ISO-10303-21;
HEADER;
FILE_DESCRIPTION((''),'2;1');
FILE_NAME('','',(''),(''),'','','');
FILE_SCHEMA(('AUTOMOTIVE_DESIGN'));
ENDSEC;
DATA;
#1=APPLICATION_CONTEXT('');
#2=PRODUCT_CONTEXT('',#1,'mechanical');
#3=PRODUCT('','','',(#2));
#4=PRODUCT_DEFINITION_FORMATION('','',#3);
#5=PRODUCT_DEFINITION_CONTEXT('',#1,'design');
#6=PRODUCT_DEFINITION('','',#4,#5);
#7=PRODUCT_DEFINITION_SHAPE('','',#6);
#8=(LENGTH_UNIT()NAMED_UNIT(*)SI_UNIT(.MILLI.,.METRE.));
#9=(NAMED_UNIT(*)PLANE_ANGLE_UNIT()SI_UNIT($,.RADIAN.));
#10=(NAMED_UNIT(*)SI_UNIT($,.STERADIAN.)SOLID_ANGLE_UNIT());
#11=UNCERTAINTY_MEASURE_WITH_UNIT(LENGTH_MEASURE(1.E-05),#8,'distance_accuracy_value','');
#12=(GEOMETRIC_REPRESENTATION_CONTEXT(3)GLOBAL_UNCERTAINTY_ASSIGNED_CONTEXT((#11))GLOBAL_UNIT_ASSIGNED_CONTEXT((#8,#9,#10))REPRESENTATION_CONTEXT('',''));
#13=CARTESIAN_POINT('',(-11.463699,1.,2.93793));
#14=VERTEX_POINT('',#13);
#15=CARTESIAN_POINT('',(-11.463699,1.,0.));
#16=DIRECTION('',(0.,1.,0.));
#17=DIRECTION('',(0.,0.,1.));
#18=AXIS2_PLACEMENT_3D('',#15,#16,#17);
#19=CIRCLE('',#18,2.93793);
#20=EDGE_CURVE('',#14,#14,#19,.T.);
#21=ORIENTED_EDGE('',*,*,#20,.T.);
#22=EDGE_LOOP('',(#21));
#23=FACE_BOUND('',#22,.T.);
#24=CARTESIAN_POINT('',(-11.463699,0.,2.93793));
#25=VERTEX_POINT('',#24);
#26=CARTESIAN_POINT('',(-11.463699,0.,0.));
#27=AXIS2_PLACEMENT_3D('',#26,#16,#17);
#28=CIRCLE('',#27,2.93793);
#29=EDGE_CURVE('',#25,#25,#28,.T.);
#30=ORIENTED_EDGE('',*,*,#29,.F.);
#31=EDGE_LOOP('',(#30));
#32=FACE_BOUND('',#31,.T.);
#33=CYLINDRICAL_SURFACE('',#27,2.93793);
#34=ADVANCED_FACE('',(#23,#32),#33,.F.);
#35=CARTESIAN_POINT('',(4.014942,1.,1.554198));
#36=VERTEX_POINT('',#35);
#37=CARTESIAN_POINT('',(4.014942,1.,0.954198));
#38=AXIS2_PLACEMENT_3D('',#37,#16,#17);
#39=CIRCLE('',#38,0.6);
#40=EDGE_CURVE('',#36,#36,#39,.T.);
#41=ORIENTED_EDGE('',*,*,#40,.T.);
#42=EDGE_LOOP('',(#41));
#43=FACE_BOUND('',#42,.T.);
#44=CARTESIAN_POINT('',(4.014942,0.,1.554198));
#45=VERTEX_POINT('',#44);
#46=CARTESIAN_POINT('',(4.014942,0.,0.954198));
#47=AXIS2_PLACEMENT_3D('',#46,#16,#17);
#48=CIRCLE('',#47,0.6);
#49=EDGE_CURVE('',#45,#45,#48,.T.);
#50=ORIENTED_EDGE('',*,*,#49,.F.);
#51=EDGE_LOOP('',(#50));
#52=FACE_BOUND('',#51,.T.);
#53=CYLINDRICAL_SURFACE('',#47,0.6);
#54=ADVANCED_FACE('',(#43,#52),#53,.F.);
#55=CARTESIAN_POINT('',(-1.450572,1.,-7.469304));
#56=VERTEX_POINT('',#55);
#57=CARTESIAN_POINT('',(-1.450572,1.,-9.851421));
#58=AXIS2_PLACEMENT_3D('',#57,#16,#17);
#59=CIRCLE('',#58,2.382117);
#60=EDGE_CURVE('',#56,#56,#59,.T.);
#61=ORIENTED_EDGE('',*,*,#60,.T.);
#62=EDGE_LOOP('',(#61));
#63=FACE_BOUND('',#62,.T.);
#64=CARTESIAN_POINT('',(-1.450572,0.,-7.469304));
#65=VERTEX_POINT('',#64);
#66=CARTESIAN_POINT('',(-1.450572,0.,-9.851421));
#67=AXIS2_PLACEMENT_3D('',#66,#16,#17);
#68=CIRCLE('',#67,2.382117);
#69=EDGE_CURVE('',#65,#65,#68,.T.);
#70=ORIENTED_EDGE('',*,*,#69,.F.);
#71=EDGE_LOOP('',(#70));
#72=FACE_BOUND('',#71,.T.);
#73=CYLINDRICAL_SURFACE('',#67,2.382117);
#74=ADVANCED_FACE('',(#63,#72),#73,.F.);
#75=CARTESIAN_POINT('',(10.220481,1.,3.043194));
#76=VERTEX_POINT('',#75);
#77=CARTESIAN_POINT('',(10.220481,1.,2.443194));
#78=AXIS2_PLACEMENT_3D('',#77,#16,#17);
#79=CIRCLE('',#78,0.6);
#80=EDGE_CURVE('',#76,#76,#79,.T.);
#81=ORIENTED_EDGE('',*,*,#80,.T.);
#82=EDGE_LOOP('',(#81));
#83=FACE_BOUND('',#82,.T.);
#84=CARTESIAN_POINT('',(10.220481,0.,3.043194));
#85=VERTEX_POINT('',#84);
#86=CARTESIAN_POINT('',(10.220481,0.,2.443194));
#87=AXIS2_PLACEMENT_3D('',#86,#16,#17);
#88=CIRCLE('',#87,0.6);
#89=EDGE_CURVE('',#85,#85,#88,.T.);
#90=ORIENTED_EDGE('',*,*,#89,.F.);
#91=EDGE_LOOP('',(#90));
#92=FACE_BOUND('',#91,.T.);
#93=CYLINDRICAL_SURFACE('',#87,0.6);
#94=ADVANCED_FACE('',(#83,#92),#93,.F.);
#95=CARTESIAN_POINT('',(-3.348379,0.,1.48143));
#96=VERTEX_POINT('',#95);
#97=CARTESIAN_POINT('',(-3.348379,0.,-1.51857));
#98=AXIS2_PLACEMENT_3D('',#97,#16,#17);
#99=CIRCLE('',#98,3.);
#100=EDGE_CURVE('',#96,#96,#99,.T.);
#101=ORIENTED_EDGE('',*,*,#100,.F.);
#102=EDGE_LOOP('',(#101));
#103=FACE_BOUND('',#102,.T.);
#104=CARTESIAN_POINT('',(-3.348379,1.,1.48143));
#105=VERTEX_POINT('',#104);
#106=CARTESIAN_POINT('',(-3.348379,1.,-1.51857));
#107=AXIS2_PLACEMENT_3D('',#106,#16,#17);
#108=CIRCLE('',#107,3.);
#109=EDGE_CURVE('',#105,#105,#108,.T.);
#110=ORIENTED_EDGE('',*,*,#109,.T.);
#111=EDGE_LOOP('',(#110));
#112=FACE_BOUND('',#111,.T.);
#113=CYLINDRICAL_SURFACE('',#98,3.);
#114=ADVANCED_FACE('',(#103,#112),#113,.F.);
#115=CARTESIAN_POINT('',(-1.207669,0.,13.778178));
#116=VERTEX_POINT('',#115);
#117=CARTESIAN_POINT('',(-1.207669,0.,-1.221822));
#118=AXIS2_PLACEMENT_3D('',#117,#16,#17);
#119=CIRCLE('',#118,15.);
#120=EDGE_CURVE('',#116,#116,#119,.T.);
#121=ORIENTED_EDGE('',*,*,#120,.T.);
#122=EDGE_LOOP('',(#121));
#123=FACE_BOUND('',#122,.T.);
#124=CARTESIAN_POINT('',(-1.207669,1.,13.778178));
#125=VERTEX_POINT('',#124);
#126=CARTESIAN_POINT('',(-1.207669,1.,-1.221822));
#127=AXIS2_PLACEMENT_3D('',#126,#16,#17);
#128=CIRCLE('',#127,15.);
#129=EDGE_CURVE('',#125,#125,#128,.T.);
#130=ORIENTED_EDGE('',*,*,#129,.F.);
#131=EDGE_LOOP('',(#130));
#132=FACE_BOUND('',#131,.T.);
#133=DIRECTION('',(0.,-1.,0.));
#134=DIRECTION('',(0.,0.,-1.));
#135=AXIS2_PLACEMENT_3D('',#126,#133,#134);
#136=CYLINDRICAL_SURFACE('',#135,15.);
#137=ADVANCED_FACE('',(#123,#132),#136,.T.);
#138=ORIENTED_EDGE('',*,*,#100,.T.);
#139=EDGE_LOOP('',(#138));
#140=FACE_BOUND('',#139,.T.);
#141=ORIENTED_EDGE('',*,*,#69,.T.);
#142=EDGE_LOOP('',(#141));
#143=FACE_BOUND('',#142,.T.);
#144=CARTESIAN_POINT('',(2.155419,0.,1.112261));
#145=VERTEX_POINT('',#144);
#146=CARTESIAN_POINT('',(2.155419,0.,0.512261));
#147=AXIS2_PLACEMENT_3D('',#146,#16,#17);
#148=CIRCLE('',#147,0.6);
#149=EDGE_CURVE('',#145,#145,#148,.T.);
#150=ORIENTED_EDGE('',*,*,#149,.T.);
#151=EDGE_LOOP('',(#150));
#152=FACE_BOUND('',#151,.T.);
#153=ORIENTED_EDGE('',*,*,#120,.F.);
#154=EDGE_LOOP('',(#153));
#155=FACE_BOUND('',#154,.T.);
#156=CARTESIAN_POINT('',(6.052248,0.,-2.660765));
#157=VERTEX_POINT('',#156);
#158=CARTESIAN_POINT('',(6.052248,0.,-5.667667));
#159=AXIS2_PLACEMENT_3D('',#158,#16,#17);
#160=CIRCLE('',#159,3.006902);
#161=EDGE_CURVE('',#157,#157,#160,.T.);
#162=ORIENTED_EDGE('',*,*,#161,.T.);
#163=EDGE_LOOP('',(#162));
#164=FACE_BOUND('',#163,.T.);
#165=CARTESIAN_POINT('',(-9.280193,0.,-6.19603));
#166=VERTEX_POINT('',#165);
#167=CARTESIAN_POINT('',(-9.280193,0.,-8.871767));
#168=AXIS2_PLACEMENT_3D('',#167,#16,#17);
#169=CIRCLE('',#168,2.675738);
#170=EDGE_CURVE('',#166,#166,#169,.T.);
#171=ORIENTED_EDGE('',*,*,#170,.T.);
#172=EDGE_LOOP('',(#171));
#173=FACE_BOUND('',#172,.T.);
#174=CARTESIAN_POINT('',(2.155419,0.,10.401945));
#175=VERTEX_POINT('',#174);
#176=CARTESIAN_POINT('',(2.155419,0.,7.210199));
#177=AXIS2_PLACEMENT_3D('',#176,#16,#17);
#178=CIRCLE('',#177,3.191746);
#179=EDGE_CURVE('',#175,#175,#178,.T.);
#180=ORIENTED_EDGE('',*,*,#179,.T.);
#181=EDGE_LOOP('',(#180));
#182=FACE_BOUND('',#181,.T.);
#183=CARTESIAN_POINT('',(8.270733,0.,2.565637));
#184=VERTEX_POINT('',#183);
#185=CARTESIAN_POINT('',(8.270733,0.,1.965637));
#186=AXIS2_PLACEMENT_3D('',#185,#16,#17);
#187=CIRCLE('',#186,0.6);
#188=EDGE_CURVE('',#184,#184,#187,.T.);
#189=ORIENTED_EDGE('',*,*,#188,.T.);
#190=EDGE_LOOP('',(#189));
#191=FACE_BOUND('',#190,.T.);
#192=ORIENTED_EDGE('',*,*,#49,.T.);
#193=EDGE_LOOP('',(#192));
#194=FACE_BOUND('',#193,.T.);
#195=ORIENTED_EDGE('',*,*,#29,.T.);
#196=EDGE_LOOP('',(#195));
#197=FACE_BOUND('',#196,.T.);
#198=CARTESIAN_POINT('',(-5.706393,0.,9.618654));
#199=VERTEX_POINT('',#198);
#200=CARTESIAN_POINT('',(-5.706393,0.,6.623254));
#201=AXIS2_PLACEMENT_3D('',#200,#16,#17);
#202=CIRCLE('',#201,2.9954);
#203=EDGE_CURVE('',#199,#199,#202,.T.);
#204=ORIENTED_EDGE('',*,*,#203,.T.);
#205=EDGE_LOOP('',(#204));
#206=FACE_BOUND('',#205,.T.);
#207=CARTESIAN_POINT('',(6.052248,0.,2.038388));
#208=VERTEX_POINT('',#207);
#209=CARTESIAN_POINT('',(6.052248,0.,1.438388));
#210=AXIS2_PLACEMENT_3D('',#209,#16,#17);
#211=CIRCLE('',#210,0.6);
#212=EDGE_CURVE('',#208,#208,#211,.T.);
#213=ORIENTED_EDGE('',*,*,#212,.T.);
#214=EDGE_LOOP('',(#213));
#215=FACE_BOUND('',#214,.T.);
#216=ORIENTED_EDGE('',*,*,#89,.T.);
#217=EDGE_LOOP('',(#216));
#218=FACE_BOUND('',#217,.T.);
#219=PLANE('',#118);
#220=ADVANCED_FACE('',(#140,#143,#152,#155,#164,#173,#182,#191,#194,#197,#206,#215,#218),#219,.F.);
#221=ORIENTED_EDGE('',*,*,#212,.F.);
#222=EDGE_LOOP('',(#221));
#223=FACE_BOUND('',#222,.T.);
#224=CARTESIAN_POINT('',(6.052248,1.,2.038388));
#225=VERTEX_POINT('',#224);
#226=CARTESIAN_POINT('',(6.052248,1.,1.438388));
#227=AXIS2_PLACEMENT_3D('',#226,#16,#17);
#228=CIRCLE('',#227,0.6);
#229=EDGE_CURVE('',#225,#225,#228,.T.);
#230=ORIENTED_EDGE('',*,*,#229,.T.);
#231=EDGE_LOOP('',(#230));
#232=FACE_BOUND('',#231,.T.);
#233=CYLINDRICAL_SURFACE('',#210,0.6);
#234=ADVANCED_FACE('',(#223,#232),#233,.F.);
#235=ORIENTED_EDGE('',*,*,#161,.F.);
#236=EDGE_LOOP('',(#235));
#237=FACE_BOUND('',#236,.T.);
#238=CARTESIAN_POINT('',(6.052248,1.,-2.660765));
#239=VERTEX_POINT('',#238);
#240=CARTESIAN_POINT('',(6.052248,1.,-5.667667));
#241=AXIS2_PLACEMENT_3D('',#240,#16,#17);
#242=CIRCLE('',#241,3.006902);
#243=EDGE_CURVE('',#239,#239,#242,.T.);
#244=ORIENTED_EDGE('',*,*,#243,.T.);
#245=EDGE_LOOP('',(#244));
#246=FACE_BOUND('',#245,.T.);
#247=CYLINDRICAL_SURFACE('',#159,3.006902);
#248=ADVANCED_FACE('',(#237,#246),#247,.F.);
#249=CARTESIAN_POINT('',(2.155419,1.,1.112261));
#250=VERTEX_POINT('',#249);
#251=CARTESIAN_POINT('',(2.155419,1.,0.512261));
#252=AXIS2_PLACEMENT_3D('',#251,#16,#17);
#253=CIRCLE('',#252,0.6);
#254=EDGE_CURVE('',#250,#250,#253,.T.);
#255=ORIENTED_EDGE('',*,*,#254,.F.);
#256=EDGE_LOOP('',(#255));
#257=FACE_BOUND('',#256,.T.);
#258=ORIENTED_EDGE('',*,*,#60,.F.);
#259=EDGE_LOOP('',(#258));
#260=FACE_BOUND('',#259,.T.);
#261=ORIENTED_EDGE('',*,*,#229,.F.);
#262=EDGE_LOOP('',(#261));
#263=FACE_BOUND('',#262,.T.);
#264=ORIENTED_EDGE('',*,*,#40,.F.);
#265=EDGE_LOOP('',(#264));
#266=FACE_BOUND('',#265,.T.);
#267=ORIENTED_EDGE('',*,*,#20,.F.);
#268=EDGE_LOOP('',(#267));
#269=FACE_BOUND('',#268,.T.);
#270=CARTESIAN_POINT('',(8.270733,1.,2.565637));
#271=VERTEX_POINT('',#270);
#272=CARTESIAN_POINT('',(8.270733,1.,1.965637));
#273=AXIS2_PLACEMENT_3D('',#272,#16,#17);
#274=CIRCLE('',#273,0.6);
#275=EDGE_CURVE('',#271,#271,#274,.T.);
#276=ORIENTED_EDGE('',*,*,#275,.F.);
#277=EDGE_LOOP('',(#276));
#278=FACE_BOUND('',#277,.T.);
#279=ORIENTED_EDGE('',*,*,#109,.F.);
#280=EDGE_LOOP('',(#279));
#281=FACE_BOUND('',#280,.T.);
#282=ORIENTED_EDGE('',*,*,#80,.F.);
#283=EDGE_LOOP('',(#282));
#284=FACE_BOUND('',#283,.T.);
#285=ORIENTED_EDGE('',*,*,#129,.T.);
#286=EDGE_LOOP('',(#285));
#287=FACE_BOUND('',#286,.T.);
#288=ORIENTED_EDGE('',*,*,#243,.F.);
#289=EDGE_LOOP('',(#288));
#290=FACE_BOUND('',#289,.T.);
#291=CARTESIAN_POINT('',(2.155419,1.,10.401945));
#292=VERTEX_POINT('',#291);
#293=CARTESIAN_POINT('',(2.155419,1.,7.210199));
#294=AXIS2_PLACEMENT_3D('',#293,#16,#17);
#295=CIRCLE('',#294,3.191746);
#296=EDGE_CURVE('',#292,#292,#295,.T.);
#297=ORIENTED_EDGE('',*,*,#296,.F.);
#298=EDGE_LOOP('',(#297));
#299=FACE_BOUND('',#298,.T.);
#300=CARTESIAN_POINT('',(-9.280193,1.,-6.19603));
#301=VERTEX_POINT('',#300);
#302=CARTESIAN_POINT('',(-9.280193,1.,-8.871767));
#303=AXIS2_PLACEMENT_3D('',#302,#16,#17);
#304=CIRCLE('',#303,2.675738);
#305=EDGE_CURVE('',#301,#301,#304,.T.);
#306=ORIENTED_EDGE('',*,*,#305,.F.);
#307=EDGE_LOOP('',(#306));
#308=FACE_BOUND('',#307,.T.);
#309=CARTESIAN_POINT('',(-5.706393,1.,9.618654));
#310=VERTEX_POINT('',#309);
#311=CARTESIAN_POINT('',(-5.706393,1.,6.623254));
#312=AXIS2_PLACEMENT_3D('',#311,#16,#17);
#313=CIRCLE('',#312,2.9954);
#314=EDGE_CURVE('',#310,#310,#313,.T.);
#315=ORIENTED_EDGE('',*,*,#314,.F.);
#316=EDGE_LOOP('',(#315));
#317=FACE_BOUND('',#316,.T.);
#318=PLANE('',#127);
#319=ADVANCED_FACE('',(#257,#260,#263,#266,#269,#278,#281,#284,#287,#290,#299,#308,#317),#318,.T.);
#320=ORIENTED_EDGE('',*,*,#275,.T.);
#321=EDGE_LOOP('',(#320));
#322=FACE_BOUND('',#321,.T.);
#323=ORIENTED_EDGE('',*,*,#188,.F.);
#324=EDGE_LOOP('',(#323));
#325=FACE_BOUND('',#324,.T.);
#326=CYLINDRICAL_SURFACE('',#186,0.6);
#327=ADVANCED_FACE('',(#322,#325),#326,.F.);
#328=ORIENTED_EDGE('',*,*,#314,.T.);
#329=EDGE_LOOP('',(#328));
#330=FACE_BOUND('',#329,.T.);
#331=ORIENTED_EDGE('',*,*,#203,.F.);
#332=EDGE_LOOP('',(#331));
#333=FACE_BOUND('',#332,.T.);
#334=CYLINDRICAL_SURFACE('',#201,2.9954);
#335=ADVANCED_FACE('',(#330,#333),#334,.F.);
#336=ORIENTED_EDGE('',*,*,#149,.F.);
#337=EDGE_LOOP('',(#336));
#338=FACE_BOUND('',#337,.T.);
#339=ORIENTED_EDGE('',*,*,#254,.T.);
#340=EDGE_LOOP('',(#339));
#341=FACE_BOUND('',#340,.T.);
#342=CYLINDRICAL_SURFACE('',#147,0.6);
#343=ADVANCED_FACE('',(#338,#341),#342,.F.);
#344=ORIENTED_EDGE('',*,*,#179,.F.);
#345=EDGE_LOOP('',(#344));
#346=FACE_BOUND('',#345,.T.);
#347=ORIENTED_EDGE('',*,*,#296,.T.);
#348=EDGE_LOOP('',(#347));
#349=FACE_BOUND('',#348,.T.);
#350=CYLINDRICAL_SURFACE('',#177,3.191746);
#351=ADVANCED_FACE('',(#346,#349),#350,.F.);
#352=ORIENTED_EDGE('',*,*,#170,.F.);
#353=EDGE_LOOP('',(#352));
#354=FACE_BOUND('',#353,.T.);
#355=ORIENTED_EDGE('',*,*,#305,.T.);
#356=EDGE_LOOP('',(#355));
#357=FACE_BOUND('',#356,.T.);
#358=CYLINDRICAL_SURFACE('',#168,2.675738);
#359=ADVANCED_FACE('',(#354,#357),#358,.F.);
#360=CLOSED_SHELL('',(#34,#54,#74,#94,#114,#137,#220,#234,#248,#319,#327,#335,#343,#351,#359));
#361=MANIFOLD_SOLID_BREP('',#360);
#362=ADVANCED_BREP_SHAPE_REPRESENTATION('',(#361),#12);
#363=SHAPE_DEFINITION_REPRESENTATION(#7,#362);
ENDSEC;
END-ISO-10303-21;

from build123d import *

# Parameters (mm, degrees)
SKETCH1_R           = 15
BOSS_EXTRUDE1_DEPTH = 1
SKETCH2_R           = 0.6
SKETCH2_R_2         = 3.006901917
SKETCH2_R_3         = 3.191746329
SKETCH2_R_4         = 2.382117141
SKETCH2_R_5         = 3
SKETCH2_R_6         = 2.995399962
SKETCH2_R_7         = 2.675737647
SKETCH2_R_8         = 2.937929851
CUT_EXTRUDE2_DEPTH  = 23.95290922


with BuildPart() as part:
    # Sketch1 → Boss-Extrude1 (new body)
    with BuildSketch(Plane(origin=(0, 0, 0), x_dir=(1, 0, 0), z_dir=(0, 1, 0))):
        with Locations(Location((-1.207669286, 1.22182166, 0), (0, 0, 270))):
            Circle(SKETCH1_R)
    extrude(amount=BOSS_EXTRUDE1_DEPTH)

    # Sketch2 → Cut-Extrude2 (cut, through all)
    with BuildSketch(Plane(origin=(0, 1, 0), x_dir=(1, 0, 0), z_dir=(0, 1, 0))):
        with Locations(Location((2.155419287, -0.512260871, 0), (0, 0, 270))):
            Circle(SKETCH2_R)
        with Locations(Location((8.27073273, -1.965637393, 0), (0, 0, 270))):
            Circle(SKETCH2_R)
        with Locations(Location((6.052247723, -1.438388209, 0), (0, 0, 270))):
            Circle(SKETCH2_R)
        with Locations(Location((4.014941627, -0.954198334, 0), (0, 0, 270))):
            Circle(SKETCH2_R)
        with Locations(Location((10.220480742, -2.443193561, 0), (0, 0, 270))):
            Circle(SKETCH2_R)
        with Locations(Location((6.052247723, 5.667666543, 0), (0, 0, 270))):
            Circle(SKETCH2_R_2)
        with Locations(Location((2.155419287, -7.210198726, 0), (0, 0, 270))):
            Circle(SKETCH2_R_3)
        with Locations(Location((-1.450571509, 9.851420656, 0), (0, 0, 270))):
            Circle(SKETCH2_R_4)
        with Locations(Location((-3.348379364, 1.518569664, 0), (0, 0, 270))):
            Circle(SKETCH2_R_5)
        with Locations(Location((-5.706393317, -6.623254074, 0), (0, 0, 270))):
            Circle(SKETCH2_R_6)
        with Locations(Location((-9.280192729, 8.871767255, 0), (0, 0, 270))):
            Circle(SKETCH2_R_7)
        with Locations(Location((-11.463699415, 0, 0), (0, 0, 270))):
            Circle(SKETCH2_R_8)
    extrude(amount=-CUT_EXTRUDE2_DEPTH, mode=Mode.SUBTRACT)


solid = part.part
